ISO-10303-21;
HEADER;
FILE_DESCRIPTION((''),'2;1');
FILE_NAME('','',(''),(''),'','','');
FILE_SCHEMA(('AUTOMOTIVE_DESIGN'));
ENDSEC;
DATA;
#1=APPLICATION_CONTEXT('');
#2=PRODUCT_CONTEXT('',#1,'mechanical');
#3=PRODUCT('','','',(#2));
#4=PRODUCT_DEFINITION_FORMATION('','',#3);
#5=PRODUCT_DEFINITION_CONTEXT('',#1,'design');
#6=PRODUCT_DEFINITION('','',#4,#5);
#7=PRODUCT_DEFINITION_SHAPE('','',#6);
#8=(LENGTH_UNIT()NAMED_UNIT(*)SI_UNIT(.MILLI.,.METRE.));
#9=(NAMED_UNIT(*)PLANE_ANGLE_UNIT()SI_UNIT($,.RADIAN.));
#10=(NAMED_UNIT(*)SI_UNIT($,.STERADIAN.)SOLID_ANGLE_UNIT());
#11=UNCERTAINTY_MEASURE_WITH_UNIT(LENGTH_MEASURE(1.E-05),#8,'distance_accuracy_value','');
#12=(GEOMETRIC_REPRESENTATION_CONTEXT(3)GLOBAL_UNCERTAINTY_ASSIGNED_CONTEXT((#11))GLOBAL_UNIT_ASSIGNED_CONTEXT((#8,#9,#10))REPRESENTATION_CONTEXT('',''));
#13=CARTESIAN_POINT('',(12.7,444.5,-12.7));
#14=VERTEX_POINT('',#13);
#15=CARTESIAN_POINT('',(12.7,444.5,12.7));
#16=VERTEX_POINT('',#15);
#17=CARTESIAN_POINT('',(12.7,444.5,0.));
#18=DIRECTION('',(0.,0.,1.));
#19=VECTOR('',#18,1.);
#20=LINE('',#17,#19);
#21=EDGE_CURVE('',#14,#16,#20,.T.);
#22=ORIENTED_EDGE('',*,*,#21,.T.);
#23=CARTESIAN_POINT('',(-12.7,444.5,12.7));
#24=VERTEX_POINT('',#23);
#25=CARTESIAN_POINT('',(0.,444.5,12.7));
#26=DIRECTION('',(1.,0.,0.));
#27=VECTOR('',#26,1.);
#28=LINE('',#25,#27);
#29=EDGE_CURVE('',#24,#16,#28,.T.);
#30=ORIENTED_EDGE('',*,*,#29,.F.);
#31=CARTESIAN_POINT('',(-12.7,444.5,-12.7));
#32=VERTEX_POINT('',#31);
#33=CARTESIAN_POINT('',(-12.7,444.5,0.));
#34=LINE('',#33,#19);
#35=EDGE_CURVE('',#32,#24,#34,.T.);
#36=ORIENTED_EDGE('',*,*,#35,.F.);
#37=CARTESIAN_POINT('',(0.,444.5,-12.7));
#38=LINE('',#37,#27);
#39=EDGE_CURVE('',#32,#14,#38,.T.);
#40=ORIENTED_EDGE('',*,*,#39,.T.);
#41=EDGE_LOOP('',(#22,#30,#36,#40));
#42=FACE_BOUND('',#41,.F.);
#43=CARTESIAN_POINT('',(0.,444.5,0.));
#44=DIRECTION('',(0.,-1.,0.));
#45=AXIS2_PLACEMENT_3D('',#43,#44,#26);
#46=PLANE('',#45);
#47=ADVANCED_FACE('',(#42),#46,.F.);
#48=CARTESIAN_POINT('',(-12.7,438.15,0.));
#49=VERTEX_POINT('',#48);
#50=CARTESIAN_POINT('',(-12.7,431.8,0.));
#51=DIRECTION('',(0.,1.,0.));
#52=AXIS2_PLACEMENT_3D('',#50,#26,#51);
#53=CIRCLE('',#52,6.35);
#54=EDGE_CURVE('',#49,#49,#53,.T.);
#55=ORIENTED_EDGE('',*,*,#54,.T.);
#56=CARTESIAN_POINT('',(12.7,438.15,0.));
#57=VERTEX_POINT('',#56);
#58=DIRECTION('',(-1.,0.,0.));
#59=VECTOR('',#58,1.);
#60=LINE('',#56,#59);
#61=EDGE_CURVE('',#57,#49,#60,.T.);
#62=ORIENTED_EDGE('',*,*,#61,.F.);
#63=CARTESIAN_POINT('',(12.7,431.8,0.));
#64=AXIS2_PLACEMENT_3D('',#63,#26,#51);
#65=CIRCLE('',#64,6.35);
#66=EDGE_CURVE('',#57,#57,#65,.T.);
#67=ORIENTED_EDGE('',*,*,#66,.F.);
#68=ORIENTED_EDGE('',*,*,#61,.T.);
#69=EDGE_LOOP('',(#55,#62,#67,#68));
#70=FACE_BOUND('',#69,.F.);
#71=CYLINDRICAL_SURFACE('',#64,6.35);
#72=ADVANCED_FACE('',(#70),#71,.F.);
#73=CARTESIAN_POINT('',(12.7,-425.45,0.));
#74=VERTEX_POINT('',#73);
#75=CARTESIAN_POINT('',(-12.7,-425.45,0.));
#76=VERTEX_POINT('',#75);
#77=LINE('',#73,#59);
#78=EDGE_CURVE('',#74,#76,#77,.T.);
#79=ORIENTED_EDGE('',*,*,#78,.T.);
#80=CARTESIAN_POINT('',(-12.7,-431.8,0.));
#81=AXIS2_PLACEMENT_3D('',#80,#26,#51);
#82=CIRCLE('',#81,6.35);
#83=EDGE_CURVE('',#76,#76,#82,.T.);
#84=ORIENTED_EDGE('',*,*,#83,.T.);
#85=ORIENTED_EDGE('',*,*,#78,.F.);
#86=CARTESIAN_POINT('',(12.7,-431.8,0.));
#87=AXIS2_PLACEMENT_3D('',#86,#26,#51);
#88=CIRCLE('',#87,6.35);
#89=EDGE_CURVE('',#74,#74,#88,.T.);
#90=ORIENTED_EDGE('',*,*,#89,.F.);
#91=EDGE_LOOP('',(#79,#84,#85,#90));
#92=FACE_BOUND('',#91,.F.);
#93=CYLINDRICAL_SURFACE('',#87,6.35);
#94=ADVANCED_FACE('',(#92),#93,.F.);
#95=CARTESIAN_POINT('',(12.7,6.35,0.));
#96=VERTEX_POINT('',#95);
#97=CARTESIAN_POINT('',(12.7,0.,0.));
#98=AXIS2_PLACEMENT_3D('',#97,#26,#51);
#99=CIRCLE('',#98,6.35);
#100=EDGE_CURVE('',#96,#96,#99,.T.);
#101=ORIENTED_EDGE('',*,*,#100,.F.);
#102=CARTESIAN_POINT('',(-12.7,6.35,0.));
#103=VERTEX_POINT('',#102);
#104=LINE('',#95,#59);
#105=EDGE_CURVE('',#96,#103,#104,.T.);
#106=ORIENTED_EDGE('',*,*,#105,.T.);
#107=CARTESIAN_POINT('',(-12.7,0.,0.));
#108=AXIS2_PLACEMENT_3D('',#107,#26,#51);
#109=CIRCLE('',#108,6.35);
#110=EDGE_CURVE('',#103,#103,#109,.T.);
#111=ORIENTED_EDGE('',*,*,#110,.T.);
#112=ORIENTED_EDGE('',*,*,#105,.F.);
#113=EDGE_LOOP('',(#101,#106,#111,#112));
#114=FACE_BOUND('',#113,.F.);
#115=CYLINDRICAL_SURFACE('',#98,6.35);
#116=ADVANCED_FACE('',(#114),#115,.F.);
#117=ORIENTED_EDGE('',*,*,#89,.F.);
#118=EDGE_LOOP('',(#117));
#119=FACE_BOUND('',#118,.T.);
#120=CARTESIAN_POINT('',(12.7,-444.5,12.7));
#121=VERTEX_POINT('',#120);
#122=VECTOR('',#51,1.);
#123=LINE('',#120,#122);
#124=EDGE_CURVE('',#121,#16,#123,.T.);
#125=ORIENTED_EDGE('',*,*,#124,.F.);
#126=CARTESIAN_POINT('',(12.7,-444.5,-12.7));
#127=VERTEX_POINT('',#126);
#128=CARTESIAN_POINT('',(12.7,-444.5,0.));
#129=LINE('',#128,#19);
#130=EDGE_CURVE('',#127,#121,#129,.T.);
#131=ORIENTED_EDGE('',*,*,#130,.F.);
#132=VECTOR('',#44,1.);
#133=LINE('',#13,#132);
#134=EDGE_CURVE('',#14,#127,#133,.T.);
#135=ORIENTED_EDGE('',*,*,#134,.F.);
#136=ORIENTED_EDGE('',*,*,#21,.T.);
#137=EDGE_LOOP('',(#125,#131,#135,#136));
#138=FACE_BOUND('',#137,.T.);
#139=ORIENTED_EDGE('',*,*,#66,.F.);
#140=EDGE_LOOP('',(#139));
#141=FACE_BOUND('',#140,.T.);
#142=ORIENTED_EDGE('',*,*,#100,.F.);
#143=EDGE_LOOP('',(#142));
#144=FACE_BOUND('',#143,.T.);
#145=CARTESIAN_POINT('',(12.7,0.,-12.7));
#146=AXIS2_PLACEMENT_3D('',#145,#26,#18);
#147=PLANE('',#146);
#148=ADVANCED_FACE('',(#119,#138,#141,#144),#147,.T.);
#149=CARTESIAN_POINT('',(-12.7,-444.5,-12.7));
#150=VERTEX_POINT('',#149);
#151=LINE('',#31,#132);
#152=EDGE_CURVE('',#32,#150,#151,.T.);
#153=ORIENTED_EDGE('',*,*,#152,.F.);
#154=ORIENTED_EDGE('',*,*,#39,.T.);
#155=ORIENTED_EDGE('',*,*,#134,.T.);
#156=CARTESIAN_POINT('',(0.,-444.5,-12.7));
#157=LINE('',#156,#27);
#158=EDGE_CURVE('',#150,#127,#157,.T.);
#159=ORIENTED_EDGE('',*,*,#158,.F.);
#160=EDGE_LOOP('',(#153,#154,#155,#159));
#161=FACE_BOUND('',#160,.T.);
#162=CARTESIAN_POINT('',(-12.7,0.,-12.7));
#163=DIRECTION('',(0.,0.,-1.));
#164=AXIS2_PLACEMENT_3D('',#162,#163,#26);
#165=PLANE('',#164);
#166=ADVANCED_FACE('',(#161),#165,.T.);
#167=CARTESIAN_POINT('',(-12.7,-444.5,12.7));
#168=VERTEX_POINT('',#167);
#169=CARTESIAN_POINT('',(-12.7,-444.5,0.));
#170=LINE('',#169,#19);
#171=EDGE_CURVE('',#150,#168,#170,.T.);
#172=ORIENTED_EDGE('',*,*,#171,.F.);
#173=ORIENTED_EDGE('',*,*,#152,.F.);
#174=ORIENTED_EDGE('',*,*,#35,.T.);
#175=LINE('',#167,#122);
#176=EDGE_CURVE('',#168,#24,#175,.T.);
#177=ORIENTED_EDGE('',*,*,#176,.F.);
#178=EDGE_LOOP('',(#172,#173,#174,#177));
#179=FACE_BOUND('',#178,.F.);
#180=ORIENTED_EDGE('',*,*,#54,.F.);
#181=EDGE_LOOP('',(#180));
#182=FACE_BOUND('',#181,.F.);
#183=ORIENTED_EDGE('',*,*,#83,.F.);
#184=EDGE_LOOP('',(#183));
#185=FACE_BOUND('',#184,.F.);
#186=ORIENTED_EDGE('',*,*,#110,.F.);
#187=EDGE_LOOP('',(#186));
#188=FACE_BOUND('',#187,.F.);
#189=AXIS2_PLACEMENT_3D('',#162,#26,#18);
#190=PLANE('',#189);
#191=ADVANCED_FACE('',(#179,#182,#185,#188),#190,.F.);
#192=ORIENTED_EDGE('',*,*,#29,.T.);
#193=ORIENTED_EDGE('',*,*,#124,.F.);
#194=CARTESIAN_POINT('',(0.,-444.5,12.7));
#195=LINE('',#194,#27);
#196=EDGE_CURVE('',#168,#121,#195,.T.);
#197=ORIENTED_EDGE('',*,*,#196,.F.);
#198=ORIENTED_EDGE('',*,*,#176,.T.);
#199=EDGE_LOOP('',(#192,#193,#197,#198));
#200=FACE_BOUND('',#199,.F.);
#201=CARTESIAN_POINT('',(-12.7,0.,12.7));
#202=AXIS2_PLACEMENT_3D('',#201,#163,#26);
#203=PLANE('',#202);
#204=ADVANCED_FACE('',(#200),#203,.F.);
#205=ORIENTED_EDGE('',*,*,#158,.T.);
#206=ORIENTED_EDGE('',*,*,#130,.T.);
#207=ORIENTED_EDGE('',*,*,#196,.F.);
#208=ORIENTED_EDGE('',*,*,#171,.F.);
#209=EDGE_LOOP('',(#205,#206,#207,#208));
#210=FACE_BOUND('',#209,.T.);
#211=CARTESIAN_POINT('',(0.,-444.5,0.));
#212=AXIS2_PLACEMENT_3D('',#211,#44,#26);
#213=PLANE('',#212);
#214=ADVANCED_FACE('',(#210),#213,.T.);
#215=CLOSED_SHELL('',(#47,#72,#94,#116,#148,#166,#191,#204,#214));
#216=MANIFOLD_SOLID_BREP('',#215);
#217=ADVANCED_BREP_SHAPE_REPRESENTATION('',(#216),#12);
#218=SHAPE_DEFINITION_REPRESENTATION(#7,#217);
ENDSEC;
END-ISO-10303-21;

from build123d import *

# Parameters (mm, degrees)
F0_W     = 25.4
F0_H     = 25.4
F1_DEPTH = 444.5
F2_R     = 6.35
F3_DEPTH = 25.401
F4_R     = 6.35
F5_DEPTH = 25.401


with BuildPart() as f1:
    # F0 (on Front) → F1 (new body, symmetric)
    with BuildSketch(Plane.XZ):
        Rectangle(F0_W, F0_H)
    extrude(amount=F1_DEPTH, both=True)

    # F2 (on face) → F3 (cut, through all)
    with BuildSketch(Plane.YZ.offset(12.7)):
        with Locations((-431.8, 0)):
            Circle(F2_R)
        with Locations((431.8, 0)):
            Circle(F2_R)
    extrude(amount=-F3_DEPTH, mode=Mode.SUBTRACT)

    # F4 (on face) → F5 (cut, through all)
    with BuildSketch(Plane.YZ.offset(12.7)):
        Circle(F4_R)
    extrude(amount=-F5_DEPTH, mode=Mode.SUBTRACT)


solid = f1.part
